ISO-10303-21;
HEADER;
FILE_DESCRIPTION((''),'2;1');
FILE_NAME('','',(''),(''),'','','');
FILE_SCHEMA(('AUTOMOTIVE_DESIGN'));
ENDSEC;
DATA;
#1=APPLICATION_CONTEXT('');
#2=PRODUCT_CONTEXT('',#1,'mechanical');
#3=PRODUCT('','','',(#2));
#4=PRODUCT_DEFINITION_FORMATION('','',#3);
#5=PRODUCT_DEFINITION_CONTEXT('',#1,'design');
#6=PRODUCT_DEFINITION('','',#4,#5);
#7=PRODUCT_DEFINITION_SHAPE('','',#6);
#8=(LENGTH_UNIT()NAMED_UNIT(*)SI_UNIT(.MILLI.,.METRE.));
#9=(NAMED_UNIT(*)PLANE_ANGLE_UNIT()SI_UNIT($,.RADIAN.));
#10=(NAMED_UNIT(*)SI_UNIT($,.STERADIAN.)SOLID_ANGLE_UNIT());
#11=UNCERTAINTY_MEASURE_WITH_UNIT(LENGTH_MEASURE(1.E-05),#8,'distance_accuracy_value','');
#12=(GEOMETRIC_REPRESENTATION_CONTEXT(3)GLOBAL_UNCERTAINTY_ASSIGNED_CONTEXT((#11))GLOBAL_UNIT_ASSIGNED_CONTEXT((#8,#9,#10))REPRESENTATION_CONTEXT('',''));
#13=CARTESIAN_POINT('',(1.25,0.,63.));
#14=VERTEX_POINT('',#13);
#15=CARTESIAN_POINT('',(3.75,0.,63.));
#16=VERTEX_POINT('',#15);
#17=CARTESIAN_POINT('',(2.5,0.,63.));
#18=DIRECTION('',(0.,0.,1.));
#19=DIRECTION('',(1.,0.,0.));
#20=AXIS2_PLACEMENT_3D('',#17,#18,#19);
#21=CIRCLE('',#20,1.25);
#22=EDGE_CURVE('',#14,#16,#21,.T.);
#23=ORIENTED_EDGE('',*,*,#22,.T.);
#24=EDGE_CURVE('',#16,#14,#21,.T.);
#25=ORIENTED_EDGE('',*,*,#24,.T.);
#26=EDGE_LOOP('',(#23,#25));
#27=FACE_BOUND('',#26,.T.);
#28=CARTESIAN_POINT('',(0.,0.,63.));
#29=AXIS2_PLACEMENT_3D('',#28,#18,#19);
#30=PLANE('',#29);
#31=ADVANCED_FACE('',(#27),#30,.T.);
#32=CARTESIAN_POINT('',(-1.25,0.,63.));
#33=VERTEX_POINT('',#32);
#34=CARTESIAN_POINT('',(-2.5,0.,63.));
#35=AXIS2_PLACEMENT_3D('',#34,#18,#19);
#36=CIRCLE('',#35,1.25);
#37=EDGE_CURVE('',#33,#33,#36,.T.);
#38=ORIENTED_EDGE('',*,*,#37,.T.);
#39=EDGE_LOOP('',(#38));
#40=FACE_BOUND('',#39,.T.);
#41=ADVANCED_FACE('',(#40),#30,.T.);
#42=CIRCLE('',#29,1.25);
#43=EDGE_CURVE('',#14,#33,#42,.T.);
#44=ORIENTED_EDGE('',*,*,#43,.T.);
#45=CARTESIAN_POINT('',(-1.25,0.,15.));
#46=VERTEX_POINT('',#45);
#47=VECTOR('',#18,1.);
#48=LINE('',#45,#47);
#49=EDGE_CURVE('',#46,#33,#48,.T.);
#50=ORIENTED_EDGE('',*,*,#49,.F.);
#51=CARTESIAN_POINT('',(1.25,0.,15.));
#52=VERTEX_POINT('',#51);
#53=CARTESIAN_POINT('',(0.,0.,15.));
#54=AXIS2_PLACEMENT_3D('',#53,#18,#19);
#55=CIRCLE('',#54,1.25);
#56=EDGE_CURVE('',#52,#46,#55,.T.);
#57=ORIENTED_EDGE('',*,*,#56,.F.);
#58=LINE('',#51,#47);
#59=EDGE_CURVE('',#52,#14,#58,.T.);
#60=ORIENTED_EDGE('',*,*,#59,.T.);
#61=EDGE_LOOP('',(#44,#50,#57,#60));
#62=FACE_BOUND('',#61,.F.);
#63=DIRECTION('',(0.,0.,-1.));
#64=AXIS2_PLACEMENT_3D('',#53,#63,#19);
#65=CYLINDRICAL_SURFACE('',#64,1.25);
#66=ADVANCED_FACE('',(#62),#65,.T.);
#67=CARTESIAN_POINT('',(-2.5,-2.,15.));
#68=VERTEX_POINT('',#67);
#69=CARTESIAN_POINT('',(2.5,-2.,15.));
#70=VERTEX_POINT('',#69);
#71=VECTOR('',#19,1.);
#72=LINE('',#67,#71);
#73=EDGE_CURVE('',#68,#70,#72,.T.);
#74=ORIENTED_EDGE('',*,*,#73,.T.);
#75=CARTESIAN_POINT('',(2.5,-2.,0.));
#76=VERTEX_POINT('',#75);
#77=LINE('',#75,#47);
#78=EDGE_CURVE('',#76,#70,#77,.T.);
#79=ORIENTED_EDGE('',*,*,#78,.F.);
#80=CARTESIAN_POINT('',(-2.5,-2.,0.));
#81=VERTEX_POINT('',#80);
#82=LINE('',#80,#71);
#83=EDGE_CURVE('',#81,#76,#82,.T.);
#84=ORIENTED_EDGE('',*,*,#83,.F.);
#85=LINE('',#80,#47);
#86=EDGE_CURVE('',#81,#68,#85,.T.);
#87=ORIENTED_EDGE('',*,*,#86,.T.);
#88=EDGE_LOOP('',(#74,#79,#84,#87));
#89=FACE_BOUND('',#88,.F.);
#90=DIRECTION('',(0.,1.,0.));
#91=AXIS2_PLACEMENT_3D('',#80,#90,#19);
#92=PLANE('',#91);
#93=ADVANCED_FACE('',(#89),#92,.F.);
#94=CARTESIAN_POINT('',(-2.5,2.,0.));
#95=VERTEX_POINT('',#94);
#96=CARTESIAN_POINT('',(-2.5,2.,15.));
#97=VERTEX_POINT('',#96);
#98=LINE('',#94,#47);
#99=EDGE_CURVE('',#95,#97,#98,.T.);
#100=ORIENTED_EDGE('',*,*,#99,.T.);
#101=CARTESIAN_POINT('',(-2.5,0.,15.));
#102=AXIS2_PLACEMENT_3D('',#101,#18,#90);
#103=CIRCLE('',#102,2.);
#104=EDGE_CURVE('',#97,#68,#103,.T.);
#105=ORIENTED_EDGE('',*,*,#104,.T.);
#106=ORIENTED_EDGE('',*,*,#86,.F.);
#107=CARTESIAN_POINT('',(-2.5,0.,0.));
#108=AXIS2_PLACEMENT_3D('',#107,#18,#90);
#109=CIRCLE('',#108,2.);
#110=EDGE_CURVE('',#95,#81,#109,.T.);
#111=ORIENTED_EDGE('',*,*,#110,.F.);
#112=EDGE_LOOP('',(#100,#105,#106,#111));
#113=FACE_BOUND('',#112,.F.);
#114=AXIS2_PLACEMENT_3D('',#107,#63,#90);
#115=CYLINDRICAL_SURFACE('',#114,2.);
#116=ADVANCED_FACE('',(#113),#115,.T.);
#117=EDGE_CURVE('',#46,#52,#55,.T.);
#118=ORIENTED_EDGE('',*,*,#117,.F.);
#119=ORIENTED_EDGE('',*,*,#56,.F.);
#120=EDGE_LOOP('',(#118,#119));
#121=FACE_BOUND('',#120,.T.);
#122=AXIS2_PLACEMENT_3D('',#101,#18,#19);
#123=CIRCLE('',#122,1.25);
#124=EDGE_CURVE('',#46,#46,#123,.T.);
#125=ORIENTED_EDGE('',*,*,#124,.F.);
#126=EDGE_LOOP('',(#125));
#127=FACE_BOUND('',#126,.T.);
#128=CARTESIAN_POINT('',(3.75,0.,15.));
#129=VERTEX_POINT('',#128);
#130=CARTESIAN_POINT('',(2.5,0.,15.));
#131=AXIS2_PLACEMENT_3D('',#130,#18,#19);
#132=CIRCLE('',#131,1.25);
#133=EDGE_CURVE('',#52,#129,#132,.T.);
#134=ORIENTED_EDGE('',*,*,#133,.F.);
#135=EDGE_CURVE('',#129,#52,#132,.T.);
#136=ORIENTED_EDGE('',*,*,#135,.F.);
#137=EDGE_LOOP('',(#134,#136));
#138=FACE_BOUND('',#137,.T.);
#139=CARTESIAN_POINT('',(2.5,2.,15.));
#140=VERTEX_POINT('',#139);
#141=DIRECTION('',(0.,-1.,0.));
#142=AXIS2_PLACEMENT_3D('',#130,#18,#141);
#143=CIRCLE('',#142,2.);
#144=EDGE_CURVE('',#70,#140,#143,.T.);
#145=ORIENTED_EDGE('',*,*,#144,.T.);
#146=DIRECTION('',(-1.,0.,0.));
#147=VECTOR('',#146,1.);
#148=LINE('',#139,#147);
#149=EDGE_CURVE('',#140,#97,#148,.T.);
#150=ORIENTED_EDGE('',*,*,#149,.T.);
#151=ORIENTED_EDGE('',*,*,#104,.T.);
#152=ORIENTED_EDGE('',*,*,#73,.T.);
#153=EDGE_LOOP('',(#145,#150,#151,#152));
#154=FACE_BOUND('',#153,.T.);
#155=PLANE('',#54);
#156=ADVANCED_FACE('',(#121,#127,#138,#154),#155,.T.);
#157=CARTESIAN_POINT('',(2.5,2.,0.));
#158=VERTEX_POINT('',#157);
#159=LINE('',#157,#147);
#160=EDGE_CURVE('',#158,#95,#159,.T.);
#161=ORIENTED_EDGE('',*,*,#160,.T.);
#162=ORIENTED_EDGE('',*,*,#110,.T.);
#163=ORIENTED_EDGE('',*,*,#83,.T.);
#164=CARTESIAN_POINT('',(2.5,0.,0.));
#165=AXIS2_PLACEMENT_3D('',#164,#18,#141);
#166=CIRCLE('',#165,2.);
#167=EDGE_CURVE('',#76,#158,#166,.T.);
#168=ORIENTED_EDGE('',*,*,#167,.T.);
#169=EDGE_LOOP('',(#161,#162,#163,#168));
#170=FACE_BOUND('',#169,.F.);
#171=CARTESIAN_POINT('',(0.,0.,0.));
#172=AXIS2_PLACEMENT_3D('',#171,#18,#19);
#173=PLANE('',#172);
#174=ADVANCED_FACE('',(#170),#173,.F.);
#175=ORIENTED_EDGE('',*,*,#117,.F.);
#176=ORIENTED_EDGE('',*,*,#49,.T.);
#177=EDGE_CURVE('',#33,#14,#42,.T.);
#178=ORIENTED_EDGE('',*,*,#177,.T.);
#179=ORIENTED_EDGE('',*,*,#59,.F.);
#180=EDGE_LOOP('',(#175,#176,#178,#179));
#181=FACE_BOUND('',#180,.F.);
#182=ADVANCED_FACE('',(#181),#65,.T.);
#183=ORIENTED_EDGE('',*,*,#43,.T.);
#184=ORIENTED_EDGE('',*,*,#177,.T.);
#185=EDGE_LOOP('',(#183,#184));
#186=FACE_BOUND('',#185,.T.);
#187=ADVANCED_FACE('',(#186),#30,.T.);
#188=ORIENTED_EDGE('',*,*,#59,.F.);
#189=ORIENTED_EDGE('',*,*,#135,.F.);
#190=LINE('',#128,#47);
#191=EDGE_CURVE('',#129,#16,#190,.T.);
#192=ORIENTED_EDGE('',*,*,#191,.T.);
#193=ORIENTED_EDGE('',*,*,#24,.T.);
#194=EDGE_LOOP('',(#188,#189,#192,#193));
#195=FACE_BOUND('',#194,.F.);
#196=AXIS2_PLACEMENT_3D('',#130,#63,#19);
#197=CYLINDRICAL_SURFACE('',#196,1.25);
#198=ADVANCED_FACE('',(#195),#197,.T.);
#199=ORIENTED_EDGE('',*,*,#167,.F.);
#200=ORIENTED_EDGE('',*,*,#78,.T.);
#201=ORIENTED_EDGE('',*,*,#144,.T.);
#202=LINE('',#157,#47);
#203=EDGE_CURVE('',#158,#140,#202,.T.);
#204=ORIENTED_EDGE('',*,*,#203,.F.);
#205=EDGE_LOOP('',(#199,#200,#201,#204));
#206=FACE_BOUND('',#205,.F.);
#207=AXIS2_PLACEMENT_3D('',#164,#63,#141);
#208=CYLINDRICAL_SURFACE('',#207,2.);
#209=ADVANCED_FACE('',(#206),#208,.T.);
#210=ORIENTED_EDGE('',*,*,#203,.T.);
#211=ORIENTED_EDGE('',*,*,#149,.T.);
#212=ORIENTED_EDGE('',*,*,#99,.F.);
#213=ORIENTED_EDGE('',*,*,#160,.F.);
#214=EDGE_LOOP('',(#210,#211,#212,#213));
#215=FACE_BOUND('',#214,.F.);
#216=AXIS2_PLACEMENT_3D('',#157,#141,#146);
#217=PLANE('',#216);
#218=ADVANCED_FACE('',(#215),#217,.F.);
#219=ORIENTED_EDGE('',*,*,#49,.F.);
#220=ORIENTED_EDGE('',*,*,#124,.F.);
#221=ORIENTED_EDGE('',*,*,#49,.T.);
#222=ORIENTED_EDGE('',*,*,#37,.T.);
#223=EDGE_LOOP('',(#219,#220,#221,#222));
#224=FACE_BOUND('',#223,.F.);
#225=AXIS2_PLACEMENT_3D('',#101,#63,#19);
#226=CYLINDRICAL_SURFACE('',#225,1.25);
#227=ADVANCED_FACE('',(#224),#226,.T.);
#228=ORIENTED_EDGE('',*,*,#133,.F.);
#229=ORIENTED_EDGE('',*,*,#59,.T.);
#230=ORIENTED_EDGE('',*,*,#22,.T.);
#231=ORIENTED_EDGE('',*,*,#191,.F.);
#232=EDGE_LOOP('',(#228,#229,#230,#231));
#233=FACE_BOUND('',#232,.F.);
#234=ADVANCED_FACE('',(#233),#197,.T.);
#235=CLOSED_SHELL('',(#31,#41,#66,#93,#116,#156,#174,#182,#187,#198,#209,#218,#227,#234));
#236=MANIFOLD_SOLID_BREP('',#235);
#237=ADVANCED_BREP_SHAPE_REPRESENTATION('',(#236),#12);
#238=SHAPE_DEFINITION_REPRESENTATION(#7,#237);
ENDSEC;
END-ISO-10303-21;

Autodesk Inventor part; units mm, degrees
ref_plane "YZ Plane" through (0, 0, 0) normal (1, 0, 0) x (0, 1, 0)
ref_plane "XZ Plane" through (0, 0, 0) normal (0, 1, 0) x (-1, 0, 0)
ref_plane "XY Plane" through (0, 0, 0) normal (0, 0, 1) x (1, 0, 0)
sketch "Sketch1" plane through (0, 0, 0) normal (0, 0, 1) x (1, 0, 0)
  line L0 (-2.5, 0) -> (2.5, 0) construction
  line L1 (-2.5, -2) -> (2.5, -2)
  line L2 (2.5, 2) -> (-2.5, 2)
  arc A0 (-2.5, 2) -> (-2.5, -2) centre (-2.5, 0) ccw
  arc A1 (2.5, -2) -> (2.5, 2) centre (2.5, 0) ccw
  point P0 (0, 0)
  dimension "d0" = 2.5
  dimension "d1" = 4
extrude "Extrusion1" add sketch "Sketch1" along normal blind 15
sketch "Sketch2" plane through (0, 0, 15) normal (0, 0, 1) x (1, 0, 0)
  circle A0 centre (0, 0) radius 1.25
  line L0 (0, 0) -> (4.5, 0) construction
  arc A1 (2.5, -2) -> (2.5, 2) centre (2.5, 0) ccw projected
  circle A2 centre (2.5, 0) radius 1.25
  circle A3 centre (-2.5, 0) radius 1.25
  point P0 (-1.25, 0)
  point P1 (1.25, 0)
  dimension "d4" = 2.5
  dimension "d5" = 2.5
  dimension "d8" = 360
extrude "Extrusion2" add sketch "Sketch2" along normal blind 48
properties part number "Cables" material "Rubber"
